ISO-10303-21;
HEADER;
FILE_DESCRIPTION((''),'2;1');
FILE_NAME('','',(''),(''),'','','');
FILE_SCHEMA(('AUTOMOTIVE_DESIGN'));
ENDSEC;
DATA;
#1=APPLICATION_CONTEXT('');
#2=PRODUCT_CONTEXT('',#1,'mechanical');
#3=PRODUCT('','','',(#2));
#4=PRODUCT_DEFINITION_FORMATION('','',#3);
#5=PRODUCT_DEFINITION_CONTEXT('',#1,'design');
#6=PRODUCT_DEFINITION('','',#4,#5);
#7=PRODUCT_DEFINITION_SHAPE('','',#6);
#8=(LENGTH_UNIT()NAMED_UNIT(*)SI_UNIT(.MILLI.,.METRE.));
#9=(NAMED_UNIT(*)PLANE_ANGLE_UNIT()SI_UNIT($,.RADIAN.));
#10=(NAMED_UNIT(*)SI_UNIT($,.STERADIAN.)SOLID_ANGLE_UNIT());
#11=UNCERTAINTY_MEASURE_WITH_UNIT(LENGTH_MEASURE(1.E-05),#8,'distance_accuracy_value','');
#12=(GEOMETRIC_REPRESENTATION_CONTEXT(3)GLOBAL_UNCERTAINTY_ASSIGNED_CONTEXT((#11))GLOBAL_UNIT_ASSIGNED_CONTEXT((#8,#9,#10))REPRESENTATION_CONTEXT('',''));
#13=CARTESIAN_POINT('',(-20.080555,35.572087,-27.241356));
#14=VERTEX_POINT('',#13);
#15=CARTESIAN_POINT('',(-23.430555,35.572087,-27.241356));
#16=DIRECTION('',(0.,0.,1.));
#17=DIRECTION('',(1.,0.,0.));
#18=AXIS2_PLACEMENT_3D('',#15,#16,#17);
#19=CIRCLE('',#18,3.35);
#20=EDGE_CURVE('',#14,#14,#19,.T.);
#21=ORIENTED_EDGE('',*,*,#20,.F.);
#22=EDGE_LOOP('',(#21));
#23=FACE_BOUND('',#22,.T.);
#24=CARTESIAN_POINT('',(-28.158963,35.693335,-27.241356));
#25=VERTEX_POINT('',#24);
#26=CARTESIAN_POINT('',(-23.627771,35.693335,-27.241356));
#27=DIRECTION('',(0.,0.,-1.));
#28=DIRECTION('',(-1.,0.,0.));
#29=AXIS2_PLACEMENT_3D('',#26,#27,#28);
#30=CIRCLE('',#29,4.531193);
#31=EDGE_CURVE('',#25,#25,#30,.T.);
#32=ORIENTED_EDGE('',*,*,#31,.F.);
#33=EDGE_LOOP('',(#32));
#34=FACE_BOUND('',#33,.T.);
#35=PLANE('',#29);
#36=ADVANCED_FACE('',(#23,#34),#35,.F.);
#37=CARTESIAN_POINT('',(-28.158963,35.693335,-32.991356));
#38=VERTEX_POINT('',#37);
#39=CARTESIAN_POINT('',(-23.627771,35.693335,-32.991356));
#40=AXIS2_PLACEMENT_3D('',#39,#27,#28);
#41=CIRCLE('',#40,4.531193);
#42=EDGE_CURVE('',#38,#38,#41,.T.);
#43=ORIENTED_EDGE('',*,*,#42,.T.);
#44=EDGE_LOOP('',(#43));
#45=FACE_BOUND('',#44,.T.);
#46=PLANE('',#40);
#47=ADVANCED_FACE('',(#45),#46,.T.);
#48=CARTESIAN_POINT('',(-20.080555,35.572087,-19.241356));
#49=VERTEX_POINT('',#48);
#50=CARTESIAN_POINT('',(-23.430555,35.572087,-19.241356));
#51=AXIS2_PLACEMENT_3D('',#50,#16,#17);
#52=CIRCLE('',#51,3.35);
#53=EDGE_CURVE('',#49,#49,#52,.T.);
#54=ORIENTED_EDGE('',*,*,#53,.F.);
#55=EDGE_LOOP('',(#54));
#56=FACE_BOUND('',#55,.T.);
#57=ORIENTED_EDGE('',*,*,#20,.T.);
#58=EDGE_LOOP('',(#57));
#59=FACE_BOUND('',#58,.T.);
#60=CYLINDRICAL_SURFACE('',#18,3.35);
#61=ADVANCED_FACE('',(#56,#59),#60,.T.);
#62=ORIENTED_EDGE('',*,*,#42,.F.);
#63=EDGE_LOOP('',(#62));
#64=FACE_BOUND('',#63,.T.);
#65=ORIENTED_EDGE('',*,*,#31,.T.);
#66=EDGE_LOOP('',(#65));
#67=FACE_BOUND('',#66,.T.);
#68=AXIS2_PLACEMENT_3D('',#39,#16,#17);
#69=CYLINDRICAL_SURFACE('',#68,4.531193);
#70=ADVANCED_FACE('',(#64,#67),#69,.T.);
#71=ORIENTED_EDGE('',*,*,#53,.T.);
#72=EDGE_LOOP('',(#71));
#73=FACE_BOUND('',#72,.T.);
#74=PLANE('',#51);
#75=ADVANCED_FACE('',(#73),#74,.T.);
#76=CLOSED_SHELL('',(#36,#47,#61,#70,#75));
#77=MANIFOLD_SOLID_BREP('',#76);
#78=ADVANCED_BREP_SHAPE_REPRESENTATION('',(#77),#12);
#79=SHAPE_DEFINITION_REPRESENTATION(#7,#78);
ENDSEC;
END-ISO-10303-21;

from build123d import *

# Parameters (mm, degrees)
SKETCH3_R           = 3.35
BOSS_EXTRUDE2_DEPTH = 8
SKETCH6_R           = 4.531192519
BOSS_EXTRUDE5_DEPTH = 5.75


with BuildPart() as part:
    # Sketch3 → Boss-Extrude2 (new body)
    with BuildSketch(Plane.XY.offset(-19.241356107)):
        with Locations((-23.430554745, 35.572087407)):
            Circle(SKETCH3_R)
    extrude(amount=-BOSS_EXTRUDE2_DEPTH)

    # Sketch6 → Boss-Extrude5 (add)
    with BuildSketch(Plane(origin=(0, 0, -27.241356107), x_dir=(-1, 0, 0), z_dir=(0, 0, -1))):
        with Locations((23.627770675, 35.693334986)):
            Circle(SKETCH6_R)
    extrude(amount=BOSS_EXTRUDE5_DEPTH)


solid = part.part
